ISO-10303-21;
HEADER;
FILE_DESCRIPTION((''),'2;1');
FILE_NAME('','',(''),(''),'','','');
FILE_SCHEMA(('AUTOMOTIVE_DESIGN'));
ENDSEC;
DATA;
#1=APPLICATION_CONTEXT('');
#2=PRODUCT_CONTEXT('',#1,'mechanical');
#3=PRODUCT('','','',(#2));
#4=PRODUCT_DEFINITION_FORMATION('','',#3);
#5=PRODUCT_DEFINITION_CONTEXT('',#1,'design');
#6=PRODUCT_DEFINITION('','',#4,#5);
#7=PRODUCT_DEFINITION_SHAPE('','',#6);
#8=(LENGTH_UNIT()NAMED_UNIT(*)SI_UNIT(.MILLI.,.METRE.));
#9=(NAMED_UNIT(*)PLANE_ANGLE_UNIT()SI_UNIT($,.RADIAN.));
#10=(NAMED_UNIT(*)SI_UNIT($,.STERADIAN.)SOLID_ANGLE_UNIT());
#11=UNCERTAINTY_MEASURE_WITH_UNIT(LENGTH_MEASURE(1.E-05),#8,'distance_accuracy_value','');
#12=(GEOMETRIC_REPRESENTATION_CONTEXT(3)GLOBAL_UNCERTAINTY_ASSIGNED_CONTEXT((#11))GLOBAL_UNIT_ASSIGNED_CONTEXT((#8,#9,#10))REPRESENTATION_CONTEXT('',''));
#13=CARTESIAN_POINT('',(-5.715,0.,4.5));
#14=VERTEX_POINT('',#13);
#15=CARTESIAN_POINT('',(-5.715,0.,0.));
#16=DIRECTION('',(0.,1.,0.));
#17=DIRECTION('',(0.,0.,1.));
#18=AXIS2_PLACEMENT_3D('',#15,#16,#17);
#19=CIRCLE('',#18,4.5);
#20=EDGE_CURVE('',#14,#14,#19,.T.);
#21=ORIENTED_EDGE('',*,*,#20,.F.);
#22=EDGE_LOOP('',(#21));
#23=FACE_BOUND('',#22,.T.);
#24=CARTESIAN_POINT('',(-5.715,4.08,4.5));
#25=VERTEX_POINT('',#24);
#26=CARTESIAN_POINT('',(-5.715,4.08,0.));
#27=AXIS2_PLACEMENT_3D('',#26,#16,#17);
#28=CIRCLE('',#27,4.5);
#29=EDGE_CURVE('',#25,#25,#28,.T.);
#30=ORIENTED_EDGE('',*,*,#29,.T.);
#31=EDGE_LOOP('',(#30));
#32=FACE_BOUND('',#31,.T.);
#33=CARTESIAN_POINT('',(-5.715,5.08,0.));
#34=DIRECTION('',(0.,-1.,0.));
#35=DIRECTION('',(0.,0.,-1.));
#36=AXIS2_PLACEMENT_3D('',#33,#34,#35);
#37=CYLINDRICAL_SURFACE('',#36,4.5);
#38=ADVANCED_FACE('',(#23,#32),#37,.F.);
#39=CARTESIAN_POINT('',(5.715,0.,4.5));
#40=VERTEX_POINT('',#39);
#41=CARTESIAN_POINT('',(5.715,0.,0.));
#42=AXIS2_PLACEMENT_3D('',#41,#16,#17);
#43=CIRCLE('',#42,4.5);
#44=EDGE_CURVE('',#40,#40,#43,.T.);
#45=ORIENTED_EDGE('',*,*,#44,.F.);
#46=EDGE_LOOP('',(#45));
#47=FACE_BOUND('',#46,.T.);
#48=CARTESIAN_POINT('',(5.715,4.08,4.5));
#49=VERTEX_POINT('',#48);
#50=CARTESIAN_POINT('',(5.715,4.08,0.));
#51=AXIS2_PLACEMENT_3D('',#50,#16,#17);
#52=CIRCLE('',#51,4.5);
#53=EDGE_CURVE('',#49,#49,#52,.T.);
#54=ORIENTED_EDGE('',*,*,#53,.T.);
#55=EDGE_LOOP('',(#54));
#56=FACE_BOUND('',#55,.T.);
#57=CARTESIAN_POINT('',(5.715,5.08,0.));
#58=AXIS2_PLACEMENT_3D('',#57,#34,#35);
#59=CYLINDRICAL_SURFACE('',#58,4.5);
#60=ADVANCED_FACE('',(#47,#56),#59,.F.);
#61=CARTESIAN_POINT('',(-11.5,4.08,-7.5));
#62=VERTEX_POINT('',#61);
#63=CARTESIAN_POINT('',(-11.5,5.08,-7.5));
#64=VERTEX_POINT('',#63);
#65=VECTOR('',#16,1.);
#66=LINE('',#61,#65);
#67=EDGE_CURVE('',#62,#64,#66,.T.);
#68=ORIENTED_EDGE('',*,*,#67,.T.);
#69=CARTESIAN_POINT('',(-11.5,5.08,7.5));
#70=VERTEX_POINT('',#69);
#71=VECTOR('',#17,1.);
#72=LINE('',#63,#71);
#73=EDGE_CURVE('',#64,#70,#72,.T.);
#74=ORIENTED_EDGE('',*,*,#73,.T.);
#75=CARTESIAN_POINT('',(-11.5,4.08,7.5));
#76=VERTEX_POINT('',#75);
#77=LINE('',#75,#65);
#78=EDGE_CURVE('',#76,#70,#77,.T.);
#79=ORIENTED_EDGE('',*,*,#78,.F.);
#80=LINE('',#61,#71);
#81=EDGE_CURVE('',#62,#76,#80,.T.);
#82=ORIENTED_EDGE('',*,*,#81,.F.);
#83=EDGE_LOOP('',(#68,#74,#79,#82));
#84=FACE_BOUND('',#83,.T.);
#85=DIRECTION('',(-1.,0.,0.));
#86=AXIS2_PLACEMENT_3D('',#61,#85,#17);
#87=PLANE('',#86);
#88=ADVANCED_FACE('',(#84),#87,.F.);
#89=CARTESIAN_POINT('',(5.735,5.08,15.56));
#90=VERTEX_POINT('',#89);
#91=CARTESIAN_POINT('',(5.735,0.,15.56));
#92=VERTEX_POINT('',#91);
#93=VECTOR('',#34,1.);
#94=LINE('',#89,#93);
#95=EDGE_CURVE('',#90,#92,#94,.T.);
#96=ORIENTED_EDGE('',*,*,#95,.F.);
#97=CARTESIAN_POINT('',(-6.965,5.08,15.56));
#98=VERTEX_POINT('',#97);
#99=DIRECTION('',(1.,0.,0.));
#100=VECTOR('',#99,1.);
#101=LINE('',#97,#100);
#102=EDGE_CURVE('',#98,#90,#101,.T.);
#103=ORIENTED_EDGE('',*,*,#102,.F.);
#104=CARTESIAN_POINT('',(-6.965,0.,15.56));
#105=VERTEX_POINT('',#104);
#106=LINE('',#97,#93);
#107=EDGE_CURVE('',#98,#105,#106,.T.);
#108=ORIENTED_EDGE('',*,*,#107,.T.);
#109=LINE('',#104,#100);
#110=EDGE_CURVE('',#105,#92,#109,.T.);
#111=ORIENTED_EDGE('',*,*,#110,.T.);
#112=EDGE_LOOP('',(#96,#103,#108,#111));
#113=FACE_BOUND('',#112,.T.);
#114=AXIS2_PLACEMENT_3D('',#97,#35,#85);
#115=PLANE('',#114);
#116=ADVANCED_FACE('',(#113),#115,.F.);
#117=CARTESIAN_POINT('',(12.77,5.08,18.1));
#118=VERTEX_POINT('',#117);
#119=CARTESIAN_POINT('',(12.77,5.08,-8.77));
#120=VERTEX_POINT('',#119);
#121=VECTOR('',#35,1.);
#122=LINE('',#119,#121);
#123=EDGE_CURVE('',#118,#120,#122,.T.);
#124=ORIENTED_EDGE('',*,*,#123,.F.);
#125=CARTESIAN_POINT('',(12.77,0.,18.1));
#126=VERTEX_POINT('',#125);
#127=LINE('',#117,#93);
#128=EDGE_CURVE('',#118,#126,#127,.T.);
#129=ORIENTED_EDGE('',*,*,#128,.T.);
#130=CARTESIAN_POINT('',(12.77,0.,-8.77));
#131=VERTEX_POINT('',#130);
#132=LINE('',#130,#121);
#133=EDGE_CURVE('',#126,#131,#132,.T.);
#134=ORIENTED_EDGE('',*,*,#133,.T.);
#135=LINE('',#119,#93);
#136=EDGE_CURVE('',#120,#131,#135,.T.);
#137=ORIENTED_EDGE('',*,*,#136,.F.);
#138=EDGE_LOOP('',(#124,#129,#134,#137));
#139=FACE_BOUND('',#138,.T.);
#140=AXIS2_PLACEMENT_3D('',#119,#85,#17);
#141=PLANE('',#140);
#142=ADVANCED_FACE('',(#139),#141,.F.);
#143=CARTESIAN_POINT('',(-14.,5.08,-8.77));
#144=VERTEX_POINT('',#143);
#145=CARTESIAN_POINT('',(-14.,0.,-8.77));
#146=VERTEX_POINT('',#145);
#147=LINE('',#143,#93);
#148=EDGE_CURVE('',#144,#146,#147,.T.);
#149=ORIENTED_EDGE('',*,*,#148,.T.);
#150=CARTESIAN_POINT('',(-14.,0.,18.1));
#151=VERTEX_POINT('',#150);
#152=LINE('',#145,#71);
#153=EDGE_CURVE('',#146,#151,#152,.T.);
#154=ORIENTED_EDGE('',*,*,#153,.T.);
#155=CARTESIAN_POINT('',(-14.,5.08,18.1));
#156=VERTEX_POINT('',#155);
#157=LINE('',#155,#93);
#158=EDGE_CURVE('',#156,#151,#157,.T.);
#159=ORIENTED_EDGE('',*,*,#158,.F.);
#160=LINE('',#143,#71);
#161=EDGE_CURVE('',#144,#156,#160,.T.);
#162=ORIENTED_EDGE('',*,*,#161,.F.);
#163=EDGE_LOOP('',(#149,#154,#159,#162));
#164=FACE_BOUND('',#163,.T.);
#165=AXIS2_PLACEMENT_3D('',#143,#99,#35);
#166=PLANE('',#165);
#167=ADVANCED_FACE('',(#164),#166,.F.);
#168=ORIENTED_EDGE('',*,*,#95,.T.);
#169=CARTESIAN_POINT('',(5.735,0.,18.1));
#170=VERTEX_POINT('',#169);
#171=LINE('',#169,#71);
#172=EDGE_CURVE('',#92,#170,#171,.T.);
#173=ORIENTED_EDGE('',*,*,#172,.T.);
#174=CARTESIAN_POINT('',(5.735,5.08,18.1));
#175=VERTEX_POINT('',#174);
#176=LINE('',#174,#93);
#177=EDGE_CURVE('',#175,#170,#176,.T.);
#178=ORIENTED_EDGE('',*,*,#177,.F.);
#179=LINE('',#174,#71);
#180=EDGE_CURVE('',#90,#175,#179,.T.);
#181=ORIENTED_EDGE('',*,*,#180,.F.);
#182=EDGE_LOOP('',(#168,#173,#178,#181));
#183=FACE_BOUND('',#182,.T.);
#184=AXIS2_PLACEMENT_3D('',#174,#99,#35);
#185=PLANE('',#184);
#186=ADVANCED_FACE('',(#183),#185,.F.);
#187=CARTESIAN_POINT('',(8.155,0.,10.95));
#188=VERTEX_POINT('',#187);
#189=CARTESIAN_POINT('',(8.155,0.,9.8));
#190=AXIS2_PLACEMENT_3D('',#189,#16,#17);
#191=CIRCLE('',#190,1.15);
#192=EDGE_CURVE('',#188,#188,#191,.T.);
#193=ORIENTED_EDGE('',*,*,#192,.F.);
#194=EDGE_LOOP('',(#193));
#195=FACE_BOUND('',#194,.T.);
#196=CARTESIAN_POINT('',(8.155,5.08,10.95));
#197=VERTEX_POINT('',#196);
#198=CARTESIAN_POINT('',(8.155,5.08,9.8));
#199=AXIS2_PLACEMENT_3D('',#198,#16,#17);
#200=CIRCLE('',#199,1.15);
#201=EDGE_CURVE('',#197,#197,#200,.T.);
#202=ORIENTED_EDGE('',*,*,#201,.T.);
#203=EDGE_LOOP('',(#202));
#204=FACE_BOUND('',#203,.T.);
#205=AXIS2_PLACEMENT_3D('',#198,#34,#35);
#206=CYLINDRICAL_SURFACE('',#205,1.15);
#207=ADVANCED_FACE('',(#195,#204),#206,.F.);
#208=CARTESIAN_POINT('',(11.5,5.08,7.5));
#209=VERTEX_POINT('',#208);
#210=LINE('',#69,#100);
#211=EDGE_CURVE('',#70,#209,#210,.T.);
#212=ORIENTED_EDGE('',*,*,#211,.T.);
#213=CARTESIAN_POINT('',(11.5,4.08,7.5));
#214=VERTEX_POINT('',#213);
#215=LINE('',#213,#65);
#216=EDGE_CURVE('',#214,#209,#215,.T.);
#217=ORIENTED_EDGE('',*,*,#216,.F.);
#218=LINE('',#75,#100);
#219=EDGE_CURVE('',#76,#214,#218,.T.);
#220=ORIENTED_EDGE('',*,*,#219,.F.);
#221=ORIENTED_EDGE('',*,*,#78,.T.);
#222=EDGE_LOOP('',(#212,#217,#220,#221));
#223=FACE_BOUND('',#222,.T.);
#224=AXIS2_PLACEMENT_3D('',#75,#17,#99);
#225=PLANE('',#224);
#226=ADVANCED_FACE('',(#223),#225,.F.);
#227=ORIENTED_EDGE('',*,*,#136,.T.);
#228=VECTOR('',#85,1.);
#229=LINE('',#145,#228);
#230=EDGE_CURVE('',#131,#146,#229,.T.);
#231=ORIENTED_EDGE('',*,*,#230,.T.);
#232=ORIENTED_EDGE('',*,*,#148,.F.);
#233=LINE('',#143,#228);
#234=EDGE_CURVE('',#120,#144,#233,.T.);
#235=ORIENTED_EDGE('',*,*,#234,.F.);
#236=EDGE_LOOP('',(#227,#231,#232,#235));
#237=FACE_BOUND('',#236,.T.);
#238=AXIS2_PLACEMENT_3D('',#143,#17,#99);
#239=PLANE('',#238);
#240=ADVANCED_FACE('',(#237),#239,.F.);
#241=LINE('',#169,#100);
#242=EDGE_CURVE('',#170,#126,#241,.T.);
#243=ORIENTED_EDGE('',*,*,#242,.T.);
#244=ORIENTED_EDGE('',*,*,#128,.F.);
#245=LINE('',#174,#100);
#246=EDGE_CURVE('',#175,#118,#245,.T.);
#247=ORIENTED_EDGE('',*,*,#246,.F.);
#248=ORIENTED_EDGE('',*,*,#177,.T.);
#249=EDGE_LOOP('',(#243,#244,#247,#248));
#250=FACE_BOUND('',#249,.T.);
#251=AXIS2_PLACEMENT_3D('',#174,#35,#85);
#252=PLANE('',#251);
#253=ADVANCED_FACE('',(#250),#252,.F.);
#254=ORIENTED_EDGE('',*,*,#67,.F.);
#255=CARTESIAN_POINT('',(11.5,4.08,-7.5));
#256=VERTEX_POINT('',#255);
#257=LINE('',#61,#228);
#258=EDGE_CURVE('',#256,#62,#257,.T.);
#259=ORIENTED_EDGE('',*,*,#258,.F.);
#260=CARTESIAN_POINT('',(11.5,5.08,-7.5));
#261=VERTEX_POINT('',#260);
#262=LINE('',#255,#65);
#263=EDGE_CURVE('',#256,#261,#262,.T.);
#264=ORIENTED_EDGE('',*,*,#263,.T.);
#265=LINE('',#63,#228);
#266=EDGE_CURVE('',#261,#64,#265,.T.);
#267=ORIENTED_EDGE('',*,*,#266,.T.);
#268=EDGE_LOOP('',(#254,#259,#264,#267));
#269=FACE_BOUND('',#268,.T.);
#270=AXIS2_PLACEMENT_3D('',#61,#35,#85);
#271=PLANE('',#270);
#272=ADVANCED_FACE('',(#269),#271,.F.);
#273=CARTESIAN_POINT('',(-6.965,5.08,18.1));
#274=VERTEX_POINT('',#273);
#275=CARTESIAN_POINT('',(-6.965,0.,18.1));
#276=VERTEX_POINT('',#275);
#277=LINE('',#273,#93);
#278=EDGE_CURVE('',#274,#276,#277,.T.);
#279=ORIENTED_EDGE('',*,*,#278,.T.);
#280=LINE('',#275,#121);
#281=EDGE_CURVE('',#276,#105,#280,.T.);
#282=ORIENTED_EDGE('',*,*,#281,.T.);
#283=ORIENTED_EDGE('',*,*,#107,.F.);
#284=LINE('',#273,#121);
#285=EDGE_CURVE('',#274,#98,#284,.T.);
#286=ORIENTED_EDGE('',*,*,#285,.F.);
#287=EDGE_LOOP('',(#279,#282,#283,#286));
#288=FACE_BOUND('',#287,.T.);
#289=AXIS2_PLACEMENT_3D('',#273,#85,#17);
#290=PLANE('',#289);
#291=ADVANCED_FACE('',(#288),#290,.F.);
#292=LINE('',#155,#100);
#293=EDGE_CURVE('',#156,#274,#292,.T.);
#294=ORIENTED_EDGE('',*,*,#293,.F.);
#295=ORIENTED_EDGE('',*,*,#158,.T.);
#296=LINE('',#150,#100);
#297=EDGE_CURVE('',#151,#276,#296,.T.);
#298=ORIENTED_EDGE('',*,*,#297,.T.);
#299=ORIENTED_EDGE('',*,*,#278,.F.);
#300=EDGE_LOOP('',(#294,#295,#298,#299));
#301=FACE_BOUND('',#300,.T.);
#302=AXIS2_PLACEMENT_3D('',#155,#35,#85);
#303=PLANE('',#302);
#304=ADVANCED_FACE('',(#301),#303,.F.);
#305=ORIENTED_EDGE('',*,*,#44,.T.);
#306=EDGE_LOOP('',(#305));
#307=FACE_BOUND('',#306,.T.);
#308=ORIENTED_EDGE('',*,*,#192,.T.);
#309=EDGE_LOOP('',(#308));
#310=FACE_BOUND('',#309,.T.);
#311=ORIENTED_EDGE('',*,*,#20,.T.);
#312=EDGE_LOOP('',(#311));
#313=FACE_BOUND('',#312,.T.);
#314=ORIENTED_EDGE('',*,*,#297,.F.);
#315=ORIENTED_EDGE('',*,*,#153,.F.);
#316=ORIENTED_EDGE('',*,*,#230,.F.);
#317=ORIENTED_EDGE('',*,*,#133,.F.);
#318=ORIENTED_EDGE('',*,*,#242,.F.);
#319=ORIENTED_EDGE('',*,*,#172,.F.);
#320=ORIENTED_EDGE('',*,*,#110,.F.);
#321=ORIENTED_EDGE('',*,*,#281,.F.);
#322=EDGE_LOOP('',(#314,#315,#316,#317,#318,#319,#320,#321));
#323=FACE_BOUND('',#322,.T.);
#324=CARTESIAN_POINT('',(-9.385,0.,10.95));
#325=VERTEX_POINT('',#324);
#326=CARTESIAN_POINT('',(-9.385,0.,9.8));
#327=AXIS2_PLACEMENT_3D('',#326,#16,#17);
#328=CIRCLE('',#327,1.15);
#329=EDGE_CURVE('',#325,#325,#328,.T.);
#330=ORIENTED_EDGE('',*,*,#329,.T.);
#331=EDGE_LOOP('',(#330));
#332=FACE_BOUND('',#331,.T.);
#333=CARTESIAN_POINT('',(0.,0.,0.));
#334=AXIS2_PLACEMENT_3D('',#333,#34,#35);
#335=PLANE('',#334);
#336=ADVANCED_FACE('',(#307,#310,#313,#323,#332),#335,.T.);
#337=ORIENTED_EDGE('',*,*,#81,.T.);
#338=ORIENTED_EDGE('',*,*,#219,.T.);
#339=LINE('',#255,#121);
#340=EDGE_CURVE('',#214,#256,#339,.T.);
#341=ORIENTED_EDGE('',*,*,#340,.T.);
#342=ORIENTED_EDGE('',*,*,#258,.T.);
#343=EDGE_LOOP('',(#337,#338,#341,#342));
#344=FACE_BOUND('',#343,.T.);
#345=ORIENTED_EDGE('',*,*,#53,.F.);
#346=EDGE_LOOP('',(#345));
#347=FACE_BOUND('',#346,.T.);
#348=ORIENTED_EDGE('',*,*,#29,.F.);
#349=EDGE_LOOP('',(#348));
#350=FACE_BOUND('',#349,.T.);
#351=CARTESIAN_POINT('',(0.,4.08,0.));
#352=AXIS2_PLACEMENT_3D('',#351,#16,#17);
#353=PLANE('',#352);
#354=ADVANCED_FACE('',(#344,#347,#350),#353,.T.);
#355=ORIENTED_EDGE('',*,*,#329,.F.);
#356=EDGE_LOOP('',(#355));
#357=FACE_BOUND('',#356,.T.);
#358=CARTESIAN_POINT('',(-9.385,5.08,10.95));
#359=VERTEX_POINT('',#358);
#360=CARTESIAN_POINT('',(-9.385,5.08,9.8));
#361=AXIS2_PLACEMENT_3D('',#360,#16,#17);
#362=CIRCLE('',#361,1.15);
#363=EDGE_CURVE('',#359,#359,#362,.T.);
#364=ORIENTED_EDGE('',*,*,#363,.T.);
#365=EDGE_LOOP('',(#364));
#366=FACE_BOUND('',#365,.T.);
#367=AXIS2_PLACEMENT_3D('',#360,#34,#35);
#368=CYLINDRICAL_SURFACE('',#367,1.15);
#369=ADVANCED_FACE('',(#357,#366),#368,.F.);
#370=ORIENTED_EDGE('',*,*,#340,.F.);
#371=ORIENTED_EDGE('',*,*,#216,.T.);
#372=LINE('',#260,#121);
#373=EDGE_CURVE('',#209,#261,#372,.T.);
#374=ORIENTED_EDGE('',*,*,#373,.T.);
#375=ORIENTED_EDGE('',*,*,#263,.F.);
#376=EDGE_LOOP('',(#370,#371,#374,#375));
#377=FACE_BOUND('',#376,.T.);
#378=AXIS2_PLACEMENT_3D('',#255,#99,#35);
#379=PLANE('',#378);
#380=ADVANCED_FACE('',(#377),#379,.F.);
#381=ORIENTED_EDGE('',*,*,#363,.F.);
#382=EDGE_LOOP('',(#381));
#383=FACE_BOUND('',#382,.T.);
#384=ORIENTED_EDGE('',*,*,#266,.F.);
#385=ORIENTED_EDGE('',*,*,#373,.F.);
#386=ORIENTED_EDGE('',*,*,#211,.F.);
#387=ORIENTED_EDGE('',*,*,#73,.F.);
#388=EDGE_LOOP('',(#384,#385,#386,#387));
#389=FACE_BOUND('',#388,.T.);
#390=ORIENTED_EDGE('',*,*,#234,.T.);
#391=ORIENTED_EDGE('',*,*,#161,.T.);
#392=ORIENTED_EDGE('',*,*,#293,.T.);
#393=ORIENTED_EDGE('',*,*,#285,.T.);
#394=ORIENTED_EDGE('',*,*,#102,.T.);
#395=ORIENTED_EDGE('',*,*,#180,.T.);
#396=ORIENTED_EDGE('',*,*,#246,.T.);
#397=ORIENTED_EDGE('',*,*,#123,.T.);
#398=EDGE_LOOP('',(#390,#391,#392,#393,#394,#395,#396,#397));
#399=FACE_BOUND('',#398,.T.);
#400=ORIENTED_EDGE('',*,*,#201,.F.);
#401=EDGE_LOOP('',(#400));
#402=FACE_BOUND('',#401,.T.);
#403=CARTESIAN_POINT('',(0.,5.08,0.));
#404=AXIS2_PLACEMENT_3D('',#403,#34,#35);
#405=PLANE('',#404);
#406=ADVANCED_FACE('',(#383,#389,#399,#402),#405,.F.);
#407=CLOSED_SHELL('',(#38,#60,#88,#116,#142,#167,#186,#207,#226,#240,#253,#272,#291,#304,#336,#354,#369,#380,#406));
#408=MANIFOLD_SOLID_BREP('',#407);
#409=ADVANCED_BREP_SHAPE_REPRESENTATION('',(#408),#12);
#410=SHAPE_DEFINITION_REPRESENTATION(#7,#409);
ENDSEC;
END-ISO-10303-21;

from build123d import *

# Parameters (mm, degrees)
SKETCH1_R           = 4.5
SKETCH1_R_2         = 1.15
BOSS_EXTRUDE1_DEPTH = 5.08
SKETCH4_W           = 23
SKETCH4_H           = 15
CUT_EXTRUDE1_DEPTH  = 1


with BuildPart() as part:
    # Sketch1 → Boss-Extrude1 (new body)
    with BuildSketch(Plane(origin=(0, 0, 0), x_dir=(1, 0, 0), z_dir=(0, 1, 0))):
        Polygon((-14, 8.77), (12.77, 8.77), (12.77, -18.1), (5.735, -18.1), (5.735, -15.56), (-6.965, -15.56), (-6.965, -18.1), (-14, -18.1), align=None)
        with Locations(Location((-5.715, 0, 0), (0, 0, 270))):
            Circle(SKETCH1_R, mode=Mode.SUBTRACT)
        with Locations(Location((5.715, 0, 0), (0, 0, 270))):
            Circle(SKETCH1_R, mode=Mode.SUBTRACT)
        with Locations(Location((-9.384999986, -9.8, 0), (0, 0, 270))):
            Circle(SKETCH1_R_2, mode=Mode.SUBTRACT)
        with Locations(Location((8.154999986, -9.8, 0), (0, 0, 270))):
            Circle(SKETCH1_R_2, mode=Mode.SUBTRACT)
    extrude(amount=BOSS_EXTRUDE1_DEPTH)

    # Sketch4 → Cut-Extrude1 (cut)
    with BuildSketch(Plane(origin=(0, 5.08, 0), x_dir=(1, 0, 0), z_dir=(0, 1, 0))):
        Rectangle(SKETCH4_W, SKETCH4_H)
    extrude(amount=-CUT_EXTRUDE1_DEPTH, mode=Mode.SUBTRACT)


solid = part.part
